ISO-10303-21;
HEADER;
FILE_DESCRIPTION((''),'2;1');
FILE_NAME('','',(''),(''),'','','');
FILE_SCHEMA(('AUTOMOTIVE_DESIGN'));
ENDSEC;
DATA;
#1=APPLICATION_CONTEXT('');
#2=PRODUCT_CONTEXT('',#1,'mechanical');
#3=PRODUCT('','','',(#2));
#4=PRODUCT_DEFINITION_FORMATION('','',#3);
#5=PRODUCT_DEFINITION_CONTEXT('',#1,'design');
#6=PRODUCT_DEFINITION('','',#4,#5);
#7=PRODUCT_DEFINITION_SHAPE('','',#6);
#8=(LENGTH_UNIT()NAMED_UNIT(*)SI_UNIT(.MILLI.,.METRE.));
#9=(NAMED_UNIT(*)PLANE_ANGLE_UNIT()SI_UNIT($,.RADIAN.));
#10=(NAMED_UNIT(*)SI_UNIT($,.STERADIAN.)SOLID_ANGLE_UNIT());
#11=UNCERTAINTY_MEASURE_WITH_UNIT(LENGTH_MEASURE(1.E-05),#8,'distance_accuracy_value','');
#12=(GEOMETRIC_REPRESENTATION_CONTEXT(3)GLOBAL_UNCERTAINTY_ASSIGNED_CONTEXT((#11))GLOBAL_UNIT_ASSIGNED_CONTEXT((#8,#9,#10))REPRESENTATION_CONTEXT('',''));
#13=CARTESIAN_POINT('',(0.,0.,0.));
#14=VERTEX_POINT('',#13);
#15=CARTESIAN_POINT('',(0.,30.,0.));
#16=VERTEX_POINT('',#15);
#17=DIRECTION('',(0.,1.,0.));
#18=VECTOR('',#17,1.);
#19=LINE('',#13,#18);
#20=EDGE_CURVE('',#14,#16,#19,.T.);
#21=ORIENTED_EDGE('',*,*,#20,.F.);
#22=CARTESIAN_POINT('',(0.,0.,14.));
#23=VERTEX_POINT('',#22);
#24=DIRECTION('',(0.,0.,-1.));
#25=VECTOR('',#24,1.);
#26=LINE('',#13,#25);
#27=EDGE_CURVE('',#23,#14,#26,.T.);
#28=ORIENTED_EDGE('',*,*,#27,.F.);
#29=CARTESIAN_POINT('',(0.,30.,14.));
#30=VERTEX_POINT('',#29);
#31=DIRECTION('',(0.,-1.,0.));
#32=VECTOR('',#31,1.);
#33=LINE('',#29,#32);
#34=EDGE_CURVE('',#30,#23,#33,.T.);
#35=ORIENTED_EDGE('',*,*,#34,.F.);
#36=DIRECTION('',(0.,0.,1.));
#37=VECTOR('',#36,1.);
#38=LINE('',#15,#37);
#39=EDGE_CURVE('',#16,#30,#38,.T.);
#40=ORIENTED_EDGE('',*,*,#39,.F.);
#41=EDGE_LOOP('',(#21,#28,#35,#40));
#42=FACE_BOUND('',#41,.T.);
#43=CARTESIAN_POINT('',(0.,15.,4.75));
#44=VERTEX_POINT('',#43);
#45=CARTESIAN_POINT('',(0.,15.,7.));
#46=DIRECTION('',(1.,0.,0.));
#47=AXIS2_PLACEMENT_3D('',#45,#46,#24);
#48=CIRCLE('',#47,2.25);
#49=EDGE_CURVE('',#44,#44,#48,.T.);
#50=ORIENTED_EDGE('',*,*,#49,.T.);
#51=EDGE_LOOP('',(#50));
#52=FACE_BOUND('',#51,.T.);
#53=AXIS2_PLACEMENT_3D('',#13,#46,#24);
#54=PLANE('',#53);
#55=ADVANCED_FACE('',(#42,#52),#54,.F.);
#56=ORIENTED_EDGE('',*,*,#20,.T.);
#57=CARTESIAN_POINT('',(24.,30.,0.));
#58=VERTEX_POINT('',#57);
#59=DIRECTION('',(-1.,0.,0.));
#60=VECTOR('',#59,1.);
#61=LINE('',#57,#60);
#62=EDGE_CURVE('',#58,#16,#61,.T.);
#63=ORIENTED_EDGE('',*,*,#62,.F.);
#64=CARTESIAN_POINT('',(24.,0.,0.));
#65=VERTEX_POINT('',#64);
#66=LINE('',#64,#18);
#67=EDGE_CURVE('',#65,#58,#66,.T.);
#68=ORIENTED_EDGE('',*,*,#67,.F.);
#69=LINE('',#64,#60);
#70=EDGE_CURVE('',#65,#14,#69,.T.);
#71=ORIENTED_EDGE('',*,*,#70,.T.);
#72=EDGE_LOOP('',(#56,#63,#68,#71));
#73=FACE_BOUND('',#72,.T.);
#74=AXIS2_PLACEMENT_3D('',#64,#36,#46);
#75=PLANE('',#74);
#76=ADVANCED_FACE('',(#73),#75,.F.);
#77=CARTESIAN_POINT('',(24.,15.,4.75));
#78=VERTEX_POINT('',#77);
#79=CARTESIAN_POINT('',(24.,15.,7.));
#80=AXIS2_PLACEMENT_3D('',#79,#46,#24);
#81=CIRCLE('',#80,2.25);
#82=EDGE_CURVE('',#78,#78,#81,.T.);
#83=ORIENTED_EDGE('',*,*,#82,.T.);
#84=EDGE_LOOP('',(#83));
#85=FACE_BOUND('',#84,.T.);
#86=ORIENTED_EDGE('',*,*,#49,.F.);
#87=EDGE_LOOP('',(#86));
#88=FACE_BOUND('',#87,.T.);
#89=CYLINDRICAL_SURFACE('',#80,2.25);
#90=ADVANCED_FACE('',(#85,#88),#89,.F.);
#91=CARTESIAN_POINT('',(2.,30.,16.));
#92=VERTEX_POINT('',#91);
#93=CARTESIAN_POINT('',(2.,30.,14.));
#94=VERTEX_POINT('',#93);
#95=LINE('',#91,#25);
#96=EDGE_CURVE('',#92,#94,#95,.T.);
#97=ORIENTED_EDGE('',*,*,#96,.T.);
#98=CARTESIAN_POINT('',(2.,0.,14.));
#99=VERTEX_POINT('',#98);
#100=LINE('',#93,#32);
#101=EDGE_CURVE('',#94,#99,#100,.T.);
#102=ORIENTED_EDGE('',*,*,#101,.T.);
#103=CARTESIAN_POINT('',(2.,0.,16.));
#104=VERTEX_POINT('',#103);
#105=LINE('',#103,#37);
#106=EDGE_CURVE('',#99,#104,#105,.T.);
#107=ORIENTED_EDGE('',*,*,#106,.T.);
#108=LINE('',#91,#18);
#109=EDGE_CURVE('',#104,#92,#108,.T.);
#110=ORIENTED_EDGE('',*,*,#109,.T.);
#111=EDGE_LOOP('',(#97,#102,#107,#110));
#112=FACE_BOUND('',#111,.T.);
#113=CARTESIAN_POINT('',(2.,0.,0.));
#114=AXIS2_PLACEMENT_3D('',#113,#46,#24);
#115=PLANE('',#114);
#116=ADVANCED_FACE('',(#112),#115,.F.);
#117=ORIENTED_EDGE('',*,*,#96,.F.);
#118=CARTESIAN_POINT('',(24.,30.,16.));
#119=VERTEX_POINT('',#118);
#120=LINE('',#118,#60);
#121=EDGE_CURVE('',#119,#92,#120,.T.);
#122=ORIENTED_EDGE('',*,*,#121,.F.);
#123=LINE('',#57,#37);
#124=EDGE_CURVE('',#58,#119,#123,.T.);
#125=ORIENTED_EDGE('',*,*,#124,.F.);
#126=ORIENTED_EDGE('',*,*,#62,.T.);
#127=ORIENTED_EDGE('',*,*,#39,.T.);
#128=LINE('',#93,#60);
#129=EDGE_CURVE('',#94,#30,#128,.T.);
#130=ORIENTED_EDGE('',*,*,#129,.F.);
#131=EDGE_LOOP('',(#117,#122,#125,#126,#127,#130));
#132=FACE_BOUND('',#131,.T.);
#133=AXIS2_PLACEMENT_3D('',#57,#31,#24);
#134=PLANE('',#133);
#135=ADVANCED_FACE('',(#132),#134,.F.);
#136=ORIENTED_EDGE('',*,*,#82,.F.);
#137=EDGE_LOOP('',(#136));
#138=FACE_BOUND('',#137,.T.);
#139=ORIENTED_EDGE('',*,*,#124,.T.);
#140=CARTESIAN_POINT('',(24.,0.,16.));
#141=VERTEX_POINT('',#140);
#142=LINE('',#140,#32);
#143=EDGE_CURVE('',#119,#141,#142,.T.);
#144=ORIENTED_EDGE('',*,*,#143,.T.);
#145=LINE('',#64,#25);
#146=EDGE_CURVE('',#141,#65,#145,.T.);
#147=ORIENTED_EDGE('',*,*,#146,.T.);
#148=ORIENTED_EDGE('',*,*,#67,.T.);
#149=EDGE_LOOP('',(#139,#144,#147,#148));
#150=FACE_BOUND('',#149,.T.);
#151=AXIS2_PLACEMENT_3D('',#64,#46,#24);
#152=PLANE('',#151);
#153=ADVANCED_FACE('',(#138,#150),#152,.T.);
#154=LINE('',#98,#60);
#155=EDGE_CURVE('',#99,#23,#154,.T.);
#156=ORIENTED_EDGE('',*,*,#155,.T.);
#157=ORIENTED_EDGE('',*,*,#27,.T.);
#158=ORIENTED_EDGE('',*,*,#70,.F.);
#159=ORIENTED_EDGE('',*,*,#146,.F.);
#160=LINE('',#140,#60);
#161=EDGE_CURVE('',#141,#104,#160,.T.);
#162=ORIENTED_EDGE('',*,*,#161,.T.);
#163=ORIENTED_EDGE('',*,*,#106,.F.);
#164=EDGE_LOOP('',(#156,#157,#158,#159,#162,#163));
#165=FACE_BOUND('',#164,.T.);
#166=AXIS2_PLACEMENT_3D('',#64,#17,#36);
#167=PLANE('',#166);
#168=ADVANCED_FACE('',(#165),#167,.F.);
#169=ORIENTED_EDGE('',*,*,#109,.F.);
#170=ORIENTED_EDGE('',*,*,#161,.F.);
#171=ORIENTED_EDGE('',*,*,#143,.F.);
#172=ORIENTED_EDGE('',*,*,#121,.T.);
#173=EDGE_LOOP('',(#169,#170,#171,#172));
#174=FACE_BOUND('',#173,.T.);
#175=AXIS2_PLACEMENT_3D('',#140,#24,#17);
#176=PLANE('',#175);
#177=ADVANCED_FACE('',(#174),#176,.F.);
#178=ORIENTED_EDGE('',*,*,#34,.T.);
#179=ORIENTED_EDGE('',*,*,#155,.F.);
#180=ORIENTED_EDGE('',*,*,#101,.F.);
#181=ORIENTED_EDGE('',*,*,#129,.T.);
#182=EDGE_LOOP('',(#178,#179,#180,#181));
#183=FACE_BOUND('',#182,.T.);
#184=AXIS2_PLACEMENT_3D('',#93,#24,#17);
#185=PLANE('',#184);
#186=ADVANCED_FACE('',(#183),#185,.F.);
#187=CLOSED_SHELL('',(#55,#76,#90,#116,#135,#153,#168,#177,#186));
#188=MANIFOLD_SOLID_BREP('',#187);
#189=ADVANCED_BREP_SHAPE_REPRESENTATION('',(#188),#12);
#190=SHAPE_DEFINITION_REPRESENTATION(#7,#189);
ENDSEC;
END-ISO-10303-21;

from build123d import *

# Parameters (mm, degrees)
SKETCH1_W            = 16
SKETCH1_H            = 30
BOSS_EXTRUDE1_DEPTH  = 24
SKETCH2_W            = 2
SKETCH2_H            = 30
CUT_EXTRUDE1_DEPTH   = 2
M4_CLEARANCE_HOLE1_D = 4.5


with BuildPart() as part:
    # Sketch1 → Boss-Extrude1 (new body)
    with BuildSketch(Plane(origin=(0, 0, 0), x_dir=(0, 0, -1), z_dir=(1, 0, 0))):
        with Locations((-8, 15)):
            Rectangle(SKETCH1_W, SKETCH1_H)
    extrude(amount=BOSS_EXTRUDE1_DEPTH)

    # Sketch2 → Cut-Extrude1 (cut)
    with BuildSketch(Plane.ZY):
        with Locations((15, 15)):
            Rectangle(SKETCH2_W, SKETCH2_H)
    extrude(amount=-CUT_EXTRUDE1_DEPTH, mode=Mode.SUBTRACT)

    # M4 Clearance Hole1 (through all)
    with Locations(Plane(origin=(24, 0, 0), x_dir=(0, 0, -1), z_dir=(1, 0, 0))):
        with Locations((-7, 15)):
            Hole(M4_CLEARANCE_HOLE1_D / 2)


solid = part.part
